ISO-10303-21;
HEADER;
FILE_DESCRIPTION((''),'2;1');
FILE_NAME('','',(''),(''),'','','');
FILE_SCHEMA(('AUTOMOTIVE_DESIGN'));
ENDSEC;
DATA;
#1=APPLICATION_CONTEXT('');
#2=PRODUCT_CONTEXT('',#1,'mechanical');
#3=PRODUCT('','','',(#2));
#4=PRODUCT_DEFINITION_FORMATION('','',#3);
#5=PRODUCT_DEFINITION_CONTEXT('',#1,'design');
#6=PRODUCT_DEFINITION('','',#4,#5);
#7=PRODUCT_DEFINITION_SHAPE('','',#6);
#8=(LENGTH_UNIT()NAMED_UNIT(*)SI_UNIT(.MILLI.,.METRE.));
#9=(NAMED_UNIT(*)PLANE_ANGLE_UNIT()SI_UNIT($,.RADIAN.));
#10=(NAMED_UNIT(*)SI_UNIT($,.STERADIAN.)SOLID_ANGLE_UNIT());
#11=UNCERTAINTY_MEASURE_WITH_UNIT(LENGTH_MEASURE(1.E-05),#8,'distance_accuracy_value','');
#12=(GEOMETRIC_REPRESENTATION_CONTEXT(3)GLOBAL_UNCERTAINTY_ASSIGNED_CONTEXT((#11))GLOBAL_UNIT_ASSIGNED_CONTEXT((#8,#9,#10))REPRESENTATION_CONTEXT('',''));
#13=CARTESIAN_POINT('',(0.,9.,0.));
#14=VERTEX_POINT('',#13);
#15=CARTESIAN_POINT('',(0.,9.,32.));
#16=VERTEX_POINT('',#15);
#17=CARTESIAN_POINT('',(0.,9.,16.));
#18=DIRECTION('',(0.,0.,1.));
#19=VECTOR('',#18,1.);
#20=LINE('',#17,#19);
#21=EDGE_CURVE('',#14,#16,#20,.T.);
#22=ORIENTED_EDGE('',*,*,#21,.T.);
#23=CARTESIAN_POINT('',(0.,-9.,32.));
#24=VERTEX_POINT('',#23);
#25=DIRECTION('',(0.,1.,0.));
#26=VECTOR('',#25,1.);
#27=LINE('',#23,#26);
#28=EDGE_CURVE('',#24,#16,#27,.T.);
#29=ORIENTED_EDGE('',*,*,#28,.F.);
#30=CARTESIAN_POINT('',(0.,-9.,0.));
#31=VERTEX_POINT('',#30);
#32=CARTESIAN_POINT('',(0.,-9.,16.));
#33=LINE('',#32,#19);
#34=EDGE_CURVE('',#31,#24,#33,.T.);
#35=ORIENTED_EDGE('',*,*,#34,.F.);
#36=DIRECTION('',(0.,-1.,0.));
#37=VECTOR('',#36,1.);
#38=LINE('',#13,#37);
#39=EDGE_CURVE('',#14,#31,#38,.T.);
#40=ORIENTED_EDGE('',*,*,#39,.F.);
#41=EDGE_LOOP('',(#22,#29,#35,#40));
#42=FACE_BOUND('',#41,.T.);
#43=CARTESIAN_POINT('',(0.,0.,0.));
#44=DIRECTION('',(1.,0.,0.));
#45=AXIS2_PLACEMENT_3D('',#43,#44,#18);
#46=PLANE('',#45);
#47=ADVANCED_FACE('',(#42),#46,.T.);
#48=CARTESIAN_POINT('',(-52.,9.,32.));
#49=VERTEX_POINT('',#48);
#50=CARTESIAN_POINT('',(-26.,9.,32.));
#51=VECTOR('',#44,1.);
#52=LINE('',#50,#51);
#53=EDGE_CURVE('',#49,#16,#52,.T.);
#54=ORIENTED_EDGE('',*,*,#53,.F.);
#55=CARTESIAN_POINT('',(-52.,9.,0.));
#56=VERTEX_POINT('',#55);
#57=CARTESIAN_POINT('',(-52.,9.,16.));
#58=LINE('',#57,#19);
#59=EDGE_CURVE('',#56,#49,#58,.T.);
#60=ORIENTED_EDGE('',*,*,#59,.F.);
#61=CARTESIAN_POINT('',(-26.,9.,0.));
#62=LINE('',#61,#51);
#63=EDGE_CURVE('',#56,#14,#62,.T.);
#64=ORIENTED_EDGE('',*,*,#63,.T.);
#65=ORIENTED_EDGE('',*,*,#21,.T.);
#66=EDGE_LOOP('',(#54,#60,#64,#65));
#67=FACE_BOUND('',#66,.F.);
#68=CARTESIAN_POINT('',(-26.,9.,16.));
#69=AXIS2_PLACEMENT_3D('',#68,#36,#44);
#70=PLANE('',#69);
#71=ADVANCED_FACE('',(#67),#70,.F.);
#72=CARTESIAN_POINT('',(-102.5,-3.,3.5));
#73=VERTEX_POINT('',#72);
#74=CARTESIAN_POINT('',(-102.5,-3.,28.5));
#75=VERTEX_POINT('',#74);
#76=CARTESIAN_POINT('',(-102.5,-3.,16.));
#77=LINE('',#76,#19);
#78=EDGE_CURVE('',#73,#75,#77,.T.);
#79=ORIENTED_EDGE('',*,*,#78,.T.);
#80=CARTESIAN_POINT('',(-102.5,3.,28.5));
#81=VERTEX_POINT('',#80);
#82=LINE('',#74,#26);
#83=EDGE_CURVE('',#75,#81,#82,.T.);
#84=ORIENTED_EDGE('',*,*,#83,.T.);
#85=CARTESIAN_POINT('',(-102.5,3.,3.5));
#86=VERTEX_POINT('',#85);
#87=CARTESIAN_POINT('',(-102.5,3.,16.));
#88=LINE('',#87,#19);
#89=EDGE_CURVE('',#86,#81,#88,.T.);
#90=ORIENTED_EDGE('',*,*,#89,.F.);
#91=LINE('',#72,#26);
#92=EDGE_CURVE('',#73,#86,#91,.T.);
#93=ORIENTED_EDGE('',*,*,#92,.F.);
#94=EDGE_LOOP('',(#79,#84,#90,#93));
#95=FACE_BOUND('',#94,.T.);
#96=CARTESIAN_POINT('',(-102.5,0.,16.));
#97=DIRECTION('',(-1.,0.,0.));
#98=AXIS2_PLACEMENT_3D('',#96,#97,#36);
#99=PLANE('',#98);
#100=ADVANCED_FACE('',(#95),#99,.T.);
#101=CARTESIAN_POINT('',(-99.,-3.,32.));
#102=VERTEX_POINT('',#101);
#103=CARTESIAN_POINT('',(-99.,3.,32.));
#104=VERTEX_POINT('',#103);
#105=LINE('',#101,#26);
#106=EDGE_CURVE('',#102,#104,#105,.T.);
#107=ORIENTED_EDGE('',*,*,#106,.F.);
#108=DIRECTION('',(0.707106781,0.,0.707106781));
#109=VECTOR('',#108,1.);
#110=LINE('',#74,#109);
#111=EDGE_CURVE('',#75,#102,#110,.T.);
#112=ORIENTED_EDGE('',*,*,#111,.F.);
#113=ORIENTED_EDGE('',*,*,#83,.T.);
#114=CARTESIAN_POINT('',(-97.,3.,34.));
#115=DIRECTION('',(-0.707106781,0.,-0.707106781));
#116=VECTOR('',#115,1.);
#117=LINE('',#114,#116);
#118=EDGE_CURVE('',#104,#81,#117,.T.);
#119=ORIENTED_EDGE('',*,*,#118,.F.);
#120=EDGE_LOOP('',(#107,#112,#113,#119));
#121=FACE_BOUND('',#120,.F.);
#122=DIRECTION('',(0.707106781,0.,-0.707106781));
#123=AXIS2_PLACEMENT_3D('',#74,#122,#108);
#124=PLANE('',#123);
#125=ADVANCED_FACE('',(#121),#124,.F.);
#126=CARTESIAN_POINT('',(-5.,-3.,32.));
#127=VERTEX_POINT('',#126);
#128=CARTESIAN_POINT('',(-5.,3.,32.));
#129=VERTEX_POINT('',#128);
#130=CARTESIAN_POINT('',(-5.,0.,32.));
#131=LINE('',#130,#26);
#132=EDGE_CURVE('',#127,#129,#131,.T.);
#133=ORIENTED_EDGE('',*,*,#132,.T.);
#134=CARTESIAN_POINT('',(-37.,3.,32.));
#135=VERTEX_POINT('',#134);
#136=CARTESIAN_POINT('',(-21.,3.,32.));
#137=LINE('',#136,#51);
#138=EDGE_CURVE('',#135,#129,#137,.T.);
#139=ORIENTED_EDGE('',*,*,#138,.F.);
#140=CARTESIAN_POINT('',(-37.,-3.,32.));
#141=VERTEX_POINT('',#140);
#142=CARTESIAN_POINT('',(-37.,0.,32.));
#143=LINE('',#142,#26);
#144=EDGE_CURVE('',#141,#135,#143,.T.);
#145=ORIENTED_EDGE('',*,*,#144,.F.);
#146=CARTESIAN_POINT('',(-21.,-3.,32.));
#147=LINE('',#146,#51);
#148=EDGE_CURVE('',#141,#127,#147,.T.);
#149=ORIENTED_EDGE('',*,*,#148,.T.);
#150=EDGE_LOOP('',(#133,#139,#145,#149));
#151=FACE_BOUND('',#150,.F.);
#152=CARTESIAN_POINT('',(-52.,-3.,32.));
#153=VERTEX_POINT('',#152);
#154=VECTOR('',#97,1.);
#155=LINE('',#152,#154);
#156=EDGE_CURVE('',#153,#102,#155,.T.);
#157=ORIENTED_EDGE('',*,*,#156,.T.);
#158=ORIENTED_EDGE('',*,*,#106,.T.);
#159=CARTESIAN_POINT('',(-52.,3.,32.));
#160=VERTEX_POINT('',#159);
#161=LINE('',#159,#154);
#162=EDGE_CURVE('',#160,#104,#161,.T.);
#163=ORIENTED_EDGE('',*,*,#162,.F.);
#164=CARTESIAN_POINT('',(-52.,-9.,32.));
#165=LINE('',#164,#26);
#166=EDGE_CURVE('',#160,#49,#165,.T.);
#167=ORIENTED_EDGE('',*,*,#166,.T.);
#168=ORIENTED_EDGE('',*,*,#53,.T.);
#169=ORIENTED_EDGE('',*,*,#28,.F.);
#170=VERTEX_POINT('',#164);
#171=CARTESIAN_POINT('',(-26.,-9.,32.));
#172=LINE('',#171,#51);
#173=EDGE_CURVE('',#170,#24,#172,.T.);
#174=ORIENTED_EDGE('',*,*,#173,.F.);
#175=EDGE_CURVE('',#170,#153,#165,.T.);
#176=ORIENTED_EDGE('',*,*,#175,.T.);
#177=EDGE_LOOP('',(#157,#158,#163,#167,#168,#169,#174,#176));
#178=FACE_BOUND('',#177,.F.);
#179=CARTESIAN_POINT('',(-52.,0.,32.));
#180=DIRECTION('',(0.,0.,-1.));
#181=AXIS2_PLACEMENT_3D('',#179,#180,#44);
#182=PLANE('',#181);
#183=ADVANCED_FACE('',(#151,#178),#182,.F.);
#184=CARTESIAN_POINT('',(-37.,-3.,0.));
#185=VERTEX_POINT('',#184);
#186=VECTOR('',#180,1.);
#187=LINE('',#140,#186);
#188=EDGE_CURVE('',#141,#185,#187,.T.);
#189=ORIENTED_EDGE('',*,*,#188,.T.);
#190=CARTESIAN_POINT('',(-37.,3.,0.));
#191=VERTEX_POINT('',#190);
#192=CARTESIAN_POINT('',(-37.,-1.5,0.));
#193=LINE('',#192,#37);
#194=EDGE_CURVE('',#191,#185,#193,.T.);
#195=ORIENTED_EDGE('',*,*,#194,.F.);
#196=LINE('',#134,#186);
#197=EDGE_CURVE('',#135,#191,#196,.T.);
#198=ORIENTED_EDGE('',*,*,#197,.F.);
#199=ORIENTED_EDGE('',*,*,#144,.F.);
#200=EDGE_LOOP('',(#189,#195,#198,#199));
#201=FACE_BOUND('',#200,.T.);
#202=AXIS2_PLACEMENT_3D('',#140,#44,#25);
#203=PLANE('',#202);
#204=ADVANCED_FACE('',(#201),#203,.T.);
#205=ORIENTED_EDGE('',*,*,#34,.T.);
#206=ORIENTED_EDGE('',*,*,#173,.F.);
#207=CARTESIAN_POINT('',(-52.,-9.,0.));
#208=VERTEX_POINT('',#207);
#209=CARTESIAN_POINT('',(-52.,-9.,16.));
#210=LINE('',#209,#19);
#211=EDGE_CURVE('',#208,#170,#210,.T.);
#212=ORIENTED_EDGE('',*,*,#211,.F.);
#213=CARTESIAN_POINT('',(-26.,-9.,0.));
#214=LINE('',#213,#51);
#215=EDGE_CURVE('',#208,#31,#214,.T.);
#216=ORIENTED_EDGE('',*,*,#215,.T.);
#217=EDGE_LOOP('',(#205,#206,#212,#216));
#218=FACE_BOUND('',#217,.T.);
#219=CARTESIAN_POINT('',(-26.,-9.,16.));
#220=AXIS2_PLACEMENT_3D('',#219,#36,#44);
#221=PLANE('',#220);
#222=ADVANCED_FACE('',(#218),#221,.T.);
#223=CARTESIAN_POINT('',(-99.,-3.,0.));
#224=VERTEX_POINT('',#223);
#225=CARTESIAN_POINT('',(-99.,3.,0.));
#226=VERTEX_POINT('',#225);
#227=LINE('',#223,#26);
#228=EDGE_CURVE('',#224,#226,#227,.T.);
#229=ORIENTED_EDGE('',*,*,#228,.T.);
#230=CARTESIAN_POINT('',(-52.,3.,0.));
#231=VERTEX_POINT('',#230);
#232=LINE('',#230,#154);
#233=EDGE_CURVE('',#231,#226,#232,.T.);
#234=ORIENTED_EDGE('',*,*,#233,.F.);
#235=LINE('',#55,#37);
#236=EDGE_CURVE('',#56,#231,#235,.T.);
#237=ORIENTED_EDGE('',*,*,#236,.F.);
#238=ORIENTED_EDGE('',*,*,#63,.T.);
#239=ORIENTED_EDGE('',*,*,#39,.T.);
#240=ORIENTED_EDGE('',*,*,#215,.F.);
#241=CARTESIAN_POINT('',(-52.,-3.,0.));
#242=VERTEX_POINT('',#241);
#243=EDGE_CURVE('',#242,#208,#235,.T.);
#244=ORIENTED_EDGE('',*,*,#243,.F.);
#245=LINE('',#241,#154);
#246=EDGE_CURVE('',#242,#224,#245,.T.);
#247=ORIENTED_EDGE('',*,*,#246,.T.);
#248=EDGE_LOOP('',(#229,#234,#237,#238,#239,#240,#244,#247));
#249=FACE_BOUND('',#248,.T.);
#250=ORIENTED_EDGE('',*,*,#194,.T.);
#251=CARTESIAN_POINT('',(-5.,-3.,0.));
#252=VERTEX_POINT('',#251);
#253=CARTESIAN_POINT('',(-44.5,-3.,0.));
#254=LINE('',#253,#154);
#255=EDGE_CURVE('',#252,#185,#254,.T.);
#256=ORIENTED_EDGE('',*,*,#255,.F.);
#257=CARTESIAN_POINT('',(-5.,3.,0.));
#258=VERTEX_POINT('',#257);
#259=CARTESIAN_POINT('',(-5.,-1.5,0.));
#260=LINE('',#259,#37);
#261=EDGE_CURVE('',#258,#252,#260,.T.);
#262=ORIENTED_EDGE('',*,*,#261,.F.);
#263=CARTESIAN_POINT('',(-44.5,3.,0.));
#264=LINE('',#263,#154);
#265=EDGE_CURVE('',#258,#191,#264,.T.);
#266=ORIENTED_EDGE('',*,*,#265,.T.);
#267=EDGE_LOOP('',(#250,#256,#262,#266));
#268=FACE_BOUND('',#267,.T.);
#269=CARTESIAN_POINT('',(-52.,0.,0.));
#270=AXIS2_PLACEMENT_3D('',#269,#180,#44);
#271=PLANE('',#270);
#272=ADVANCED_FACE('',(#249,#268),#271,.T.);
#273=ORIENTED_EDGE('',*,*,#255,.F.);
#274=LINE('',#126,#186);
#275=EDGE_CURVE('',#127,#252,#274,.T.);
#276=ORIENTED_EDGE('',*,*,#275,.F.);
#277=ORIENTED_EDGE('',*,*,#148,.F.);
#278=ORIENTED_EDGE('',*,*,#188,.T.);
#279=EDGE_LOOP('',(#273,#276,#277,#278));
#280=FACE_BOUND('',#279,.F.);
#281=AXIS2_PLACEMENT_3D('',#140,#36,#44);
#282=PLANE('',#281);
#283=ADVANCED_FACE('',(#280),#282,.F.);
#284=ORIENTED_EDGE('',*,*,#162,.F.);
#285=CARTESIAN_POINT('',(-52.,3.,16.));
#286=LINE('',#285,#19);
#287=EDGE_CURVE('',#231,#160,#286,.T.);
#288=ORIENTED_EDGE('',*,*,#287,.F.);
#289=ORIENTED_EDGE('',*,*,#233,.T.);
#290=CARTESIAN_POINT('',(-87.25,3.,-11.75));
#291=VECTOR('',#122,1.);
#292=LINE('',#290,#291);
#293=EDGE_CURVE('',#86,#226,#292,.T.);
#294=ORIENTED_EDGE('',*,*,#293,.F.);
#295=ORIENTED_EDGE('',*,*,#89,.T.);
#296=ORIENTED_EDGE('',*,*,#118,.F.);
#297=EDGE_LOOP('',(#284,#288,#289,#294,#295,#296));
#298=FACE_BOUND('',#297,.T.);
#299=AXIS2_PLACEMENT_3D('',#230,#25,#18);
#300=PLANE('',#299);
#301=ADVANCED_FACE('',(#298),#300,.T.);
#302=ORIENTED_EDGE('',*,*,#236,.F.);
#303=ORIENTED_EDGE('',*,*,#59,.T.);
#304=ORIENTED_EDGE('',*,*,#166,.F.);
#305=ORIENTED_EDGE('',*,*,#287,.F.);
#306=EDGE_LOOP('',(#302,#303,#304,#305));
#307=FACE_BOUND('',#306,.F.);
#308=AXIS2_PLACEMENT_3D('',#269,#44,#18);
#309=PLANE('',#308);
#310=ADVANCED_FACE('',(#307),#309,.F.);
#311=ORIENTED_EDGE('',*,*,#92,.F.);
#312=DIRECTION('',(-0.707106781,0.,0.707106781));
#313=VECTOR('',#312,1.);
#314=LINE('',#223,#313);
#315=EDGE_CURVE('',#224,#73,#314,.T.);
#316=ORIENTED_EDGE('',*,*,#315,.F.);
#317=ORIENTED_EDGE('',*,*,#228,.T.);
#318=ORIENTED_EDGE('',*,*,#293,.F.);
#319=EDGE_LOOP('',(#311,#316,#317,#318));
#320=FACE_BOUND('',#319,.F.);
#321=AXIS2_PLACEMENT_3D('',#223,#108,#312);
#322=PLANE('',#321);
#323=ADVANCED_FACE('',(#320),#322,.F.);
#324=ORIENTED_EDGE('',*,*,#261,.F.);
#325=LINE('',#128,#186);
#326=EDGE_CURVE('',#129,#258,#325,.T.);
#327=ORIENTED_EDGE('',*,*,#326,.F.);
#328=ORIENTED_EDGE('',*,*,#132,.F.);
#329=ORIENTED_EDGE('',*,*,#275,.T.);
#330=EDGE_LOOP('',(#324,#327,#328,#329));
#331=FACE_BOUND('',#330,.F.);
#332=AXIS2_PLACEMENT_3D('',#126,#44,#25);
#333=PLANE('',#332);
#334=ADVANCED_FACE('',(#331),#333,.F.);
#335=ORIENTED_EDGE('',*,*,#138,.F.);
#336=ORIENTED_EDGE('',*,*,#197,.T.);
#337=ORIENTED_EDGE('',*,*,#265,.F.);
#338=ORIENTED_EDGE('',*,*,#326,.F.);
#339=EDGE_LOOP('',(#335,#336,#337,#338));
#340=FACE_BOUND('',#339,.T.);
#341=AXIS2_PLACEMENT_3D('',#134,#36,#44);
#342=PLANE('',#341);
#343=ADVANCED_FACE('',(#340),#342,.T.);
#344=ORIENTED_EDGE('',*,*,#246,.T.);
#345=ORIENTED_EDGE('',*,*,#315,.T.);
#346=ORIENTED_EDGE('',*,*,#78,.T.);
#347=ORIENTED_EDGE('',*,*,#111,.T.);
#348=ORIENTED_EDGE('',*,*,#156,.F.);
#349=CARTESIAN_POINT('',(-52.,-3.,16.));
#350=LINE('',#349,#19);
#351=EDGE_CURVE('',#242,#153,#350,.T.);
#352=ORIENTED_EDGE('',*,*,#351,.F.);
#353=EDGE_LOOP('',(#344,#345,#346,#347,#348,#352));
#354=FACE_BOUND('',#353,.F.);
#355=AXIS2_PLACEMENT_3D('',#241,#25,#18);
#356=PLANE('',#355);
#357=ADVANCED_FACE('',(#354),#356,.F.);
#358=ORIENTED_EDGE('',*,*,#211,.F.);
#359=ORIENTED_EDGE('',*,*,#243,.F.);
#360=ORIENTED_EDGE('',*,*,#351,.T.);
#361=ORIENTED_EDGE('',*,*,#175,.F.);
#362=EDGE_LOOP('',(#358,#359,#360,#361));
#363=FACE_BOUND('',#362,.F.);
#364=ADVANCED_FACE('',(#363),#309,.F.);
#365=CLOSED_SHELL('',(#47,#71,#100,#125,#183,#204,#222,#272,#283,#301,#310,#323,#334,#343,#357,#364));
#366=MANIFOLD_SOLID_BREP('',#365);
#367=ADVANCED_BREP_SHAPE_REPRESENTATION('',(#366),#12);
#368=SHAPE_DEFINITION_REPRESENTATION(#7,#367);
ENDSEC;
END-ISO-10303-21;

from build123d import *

# Parameters (mm, degrees)
F0_W     = 52
F0_H     = 32
F1_DEPTH = 9
F2_W     = 32
F2_H     = 6
F3_DEPTH = 32.001
F4_W     = 6
F4_H     = 32
F5_DEPTH = 50.5
F7_DEPTH = 12.001


with BuildPart() as f1:
    # F0 (on Front) → F1 (new body, symmetric)
    with BuildSketch(Plane.XZ):
        with Locations((-26, 16)):
            Rectangle(F0_W, F0_H)
    extrude(amount=F1_DEPTH, both=True)

    # F2 (on face) → F3 (cut, through all)
    with BuildSketch(Plane.XY.offset(32)):
        with Locations((-21, 0)):
            Rectangle(F2_W, F2_H)
    extrude(amount=-F3_DEPTH, mode=Mode.SUBTRACT)

    # F4 (on face) → F5 (join)
    with BuildSketch(Plane(origin=(-52, 0, 0), x_dir=(0, -1, 0), z_dir=(-1, 0, 0))):
        with Locations((0, 16)):
            Rectangle(F4_W, F4_H)
    extrude(amount=F5_DEPTH)

    # F6 (on face) → F7 (cut, through all)
    with BuildSketch(Plane.XZ.offset(3)):
        Polygon((-102.5, 28.5), (-99, 32), (-102.5, 32), align=None)
        Polygon((-102.5, 0), (-99, 0), (-102.5, 3.5), align=None)
    extrude(amount=-F7_DEPTH, mode=Mode.SUBTRACT)


solid = f1.part
